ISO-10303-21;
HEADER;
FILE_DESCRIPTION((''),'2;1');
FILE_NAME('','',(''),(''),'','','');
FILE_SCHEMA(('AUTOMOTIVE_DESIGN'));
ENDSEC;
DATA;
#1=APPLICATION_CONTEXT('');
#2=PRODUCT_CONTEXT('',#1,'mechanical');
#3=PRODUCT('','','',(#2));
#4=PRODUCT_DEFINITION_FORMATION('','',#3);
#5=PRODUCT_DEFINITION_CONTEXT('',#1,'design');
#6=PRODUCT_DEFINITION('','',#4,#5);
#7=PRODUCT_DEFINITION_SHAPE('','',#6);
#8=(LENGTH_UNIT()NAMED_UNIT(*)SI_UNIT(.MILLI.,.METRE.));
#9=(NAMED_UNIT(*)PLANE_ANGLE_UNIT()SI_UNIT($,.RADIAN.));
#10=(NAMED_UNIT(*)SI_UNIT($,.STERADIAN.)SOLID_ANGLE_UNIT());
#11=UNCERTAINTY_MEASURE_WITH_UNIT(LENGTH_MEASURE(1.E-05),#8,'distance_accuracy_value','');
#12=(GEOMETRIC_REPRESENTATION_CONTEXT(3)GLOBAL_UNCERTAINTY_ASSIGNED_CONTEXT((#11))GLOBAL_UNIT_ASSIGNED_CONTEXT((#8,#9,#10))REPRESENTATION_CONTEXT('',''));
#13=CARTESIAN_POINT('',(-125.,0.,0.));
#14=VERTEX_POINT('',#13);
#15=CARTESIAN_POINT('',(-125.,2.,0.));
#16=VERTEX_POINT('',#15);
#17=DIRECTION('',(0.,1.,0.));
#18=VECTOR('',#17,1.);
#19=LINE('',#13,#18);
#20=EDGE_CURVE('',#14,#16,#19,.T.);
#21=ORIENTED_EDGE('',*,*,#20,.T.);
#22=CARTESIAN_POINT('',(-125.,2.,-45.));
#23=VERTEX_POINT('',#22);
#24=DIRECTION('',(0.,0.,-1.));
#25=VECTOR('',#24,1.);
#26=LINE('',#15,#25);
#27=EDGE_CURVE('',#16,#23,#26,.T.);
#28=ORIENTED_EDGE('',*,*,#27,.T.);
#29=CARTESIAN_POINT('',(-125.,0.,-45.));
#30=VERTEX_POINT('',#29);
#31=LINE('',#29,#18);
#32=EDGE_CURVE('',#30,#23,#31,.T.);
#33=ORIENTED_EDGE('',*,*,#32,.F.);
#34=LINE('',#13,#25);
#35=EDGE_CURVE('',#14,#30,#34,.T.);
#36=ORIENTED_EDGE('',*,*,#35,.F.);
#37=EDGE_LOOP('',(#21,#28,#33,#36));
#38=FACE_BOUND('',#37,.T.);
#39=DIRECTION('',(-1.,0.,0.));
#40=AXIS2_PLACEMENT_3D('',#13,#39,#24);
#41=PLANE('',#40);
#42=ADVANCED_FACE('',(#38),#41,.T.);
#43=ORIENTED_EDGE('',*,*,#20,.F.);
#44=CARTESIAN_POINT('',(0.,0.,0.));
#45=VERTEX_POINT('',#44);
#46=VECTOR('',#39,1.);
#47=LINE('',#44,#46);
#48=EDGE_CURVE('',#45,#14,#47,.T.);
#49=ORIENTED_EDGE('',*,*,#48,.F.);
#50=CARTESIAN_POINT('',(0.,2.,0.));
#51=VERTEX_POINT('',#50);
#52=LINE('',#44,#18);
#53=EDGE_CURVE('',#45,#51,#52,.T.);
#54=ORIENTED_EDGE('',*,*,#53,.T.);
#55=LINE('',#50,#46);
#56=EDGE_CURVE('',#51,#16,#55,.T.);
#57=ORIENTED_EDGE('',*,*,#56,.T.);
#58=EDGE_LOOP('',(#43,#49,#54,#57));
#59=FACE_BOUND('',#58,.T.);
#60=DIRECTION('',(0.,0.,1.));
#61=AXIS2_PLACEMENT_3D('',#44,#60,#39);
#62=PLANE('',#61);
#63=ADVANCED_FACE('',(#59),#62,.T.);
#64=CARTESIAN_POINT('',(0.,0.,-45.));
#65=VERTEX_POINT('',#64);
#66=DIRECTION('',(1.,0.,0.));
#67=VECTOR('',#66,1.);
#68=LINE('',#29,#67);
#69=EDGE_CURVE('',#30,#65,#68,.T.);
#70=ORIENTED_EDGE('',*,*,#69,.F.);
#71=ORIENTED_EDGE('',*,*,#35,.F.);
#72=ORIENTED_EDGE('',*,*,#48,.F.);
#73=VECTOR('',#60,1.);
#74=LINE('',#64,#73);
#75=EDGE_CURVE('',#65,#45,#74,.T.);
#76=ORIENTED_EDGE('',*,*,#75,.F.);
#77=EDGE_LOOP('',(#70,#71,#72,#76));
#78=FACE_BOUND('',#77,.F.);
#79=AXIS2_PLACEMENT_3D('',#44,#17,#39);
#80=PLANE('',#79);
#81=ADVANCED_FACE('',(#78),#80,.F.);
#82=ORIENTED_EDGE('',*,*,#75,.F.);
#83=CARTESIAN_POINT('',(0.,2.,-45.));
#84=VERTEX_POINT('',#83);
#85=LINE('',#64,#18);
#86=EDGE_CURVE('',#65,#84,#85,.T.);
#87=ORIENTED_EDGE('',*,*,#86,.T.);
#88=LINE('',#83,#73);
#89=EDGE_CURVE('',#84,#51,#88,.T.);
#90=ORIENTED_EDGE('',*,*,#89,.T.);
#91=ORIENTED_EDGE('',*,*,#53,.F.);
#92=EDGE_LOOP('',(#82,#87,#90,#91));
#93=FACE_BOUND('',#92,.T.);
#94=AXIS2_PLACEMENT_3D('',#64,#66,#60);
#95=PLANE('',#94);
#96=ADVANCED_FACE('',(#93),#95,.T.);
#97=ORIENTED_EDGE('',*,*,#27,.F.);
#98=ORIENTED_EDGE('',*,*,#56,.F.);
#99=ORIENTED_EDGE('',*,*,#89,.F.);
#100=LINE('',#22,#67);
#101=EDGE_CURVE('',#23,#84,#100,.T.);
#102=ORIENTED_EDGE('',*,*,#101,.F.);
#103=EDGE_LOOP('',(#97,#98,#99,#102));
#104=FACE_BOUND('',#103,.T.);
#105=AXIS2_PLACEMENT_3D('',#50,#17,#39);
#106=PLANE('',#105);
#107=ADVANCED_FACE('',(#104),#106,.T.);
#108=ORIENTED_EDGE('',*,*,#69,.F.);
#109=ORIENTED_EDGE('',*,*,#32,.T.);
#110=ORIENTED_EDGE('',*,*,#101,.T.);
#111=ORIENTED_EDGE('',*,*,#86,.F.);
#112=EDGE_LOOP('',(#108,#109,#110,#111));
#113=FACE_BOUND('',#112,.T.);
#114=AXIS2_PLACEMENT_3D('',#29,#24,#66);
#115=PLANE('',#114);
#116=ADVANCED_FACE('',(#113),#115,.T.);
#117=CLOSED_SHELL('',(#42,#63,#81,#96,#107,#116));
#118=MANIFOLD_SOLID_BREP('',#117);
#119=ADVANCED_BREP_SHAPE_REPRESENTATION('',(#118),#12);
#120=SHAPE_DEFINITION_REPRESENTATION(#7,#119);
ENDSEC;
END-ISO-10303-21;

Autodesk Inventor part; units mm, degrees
ref_plane "YZ Plane" through (0, 0, 0) normal (1, 0, 0) x (0, 1, 0)
ref_plane "XZ Plane" through (0, 0, 0) normal (0, 1, 0) x (-1, 0, 0)
ref_plane "XY Plane" through (0, 0, 0) normal (0, 0, 1) x (1, 0, 0)
sketch "Sketch1" plane through (0, 0, 0) normal (0, 1, 0) x (-1, 0, 0)
  line L0 (0, 0) -> (125, 0)
  line L1 (125, 0) -> (125, -45)
  line L2 (125, -45) -> (0, -45)
  line L3 (0, -45) -> (0, 0)
  dimension "d0" = 125
  dimension "d1" = 45
extrude "Extrusion1" add sketch "Sketch1" along normal blind 2
properties part number "tieplate_small" material "Stainless Steel"
